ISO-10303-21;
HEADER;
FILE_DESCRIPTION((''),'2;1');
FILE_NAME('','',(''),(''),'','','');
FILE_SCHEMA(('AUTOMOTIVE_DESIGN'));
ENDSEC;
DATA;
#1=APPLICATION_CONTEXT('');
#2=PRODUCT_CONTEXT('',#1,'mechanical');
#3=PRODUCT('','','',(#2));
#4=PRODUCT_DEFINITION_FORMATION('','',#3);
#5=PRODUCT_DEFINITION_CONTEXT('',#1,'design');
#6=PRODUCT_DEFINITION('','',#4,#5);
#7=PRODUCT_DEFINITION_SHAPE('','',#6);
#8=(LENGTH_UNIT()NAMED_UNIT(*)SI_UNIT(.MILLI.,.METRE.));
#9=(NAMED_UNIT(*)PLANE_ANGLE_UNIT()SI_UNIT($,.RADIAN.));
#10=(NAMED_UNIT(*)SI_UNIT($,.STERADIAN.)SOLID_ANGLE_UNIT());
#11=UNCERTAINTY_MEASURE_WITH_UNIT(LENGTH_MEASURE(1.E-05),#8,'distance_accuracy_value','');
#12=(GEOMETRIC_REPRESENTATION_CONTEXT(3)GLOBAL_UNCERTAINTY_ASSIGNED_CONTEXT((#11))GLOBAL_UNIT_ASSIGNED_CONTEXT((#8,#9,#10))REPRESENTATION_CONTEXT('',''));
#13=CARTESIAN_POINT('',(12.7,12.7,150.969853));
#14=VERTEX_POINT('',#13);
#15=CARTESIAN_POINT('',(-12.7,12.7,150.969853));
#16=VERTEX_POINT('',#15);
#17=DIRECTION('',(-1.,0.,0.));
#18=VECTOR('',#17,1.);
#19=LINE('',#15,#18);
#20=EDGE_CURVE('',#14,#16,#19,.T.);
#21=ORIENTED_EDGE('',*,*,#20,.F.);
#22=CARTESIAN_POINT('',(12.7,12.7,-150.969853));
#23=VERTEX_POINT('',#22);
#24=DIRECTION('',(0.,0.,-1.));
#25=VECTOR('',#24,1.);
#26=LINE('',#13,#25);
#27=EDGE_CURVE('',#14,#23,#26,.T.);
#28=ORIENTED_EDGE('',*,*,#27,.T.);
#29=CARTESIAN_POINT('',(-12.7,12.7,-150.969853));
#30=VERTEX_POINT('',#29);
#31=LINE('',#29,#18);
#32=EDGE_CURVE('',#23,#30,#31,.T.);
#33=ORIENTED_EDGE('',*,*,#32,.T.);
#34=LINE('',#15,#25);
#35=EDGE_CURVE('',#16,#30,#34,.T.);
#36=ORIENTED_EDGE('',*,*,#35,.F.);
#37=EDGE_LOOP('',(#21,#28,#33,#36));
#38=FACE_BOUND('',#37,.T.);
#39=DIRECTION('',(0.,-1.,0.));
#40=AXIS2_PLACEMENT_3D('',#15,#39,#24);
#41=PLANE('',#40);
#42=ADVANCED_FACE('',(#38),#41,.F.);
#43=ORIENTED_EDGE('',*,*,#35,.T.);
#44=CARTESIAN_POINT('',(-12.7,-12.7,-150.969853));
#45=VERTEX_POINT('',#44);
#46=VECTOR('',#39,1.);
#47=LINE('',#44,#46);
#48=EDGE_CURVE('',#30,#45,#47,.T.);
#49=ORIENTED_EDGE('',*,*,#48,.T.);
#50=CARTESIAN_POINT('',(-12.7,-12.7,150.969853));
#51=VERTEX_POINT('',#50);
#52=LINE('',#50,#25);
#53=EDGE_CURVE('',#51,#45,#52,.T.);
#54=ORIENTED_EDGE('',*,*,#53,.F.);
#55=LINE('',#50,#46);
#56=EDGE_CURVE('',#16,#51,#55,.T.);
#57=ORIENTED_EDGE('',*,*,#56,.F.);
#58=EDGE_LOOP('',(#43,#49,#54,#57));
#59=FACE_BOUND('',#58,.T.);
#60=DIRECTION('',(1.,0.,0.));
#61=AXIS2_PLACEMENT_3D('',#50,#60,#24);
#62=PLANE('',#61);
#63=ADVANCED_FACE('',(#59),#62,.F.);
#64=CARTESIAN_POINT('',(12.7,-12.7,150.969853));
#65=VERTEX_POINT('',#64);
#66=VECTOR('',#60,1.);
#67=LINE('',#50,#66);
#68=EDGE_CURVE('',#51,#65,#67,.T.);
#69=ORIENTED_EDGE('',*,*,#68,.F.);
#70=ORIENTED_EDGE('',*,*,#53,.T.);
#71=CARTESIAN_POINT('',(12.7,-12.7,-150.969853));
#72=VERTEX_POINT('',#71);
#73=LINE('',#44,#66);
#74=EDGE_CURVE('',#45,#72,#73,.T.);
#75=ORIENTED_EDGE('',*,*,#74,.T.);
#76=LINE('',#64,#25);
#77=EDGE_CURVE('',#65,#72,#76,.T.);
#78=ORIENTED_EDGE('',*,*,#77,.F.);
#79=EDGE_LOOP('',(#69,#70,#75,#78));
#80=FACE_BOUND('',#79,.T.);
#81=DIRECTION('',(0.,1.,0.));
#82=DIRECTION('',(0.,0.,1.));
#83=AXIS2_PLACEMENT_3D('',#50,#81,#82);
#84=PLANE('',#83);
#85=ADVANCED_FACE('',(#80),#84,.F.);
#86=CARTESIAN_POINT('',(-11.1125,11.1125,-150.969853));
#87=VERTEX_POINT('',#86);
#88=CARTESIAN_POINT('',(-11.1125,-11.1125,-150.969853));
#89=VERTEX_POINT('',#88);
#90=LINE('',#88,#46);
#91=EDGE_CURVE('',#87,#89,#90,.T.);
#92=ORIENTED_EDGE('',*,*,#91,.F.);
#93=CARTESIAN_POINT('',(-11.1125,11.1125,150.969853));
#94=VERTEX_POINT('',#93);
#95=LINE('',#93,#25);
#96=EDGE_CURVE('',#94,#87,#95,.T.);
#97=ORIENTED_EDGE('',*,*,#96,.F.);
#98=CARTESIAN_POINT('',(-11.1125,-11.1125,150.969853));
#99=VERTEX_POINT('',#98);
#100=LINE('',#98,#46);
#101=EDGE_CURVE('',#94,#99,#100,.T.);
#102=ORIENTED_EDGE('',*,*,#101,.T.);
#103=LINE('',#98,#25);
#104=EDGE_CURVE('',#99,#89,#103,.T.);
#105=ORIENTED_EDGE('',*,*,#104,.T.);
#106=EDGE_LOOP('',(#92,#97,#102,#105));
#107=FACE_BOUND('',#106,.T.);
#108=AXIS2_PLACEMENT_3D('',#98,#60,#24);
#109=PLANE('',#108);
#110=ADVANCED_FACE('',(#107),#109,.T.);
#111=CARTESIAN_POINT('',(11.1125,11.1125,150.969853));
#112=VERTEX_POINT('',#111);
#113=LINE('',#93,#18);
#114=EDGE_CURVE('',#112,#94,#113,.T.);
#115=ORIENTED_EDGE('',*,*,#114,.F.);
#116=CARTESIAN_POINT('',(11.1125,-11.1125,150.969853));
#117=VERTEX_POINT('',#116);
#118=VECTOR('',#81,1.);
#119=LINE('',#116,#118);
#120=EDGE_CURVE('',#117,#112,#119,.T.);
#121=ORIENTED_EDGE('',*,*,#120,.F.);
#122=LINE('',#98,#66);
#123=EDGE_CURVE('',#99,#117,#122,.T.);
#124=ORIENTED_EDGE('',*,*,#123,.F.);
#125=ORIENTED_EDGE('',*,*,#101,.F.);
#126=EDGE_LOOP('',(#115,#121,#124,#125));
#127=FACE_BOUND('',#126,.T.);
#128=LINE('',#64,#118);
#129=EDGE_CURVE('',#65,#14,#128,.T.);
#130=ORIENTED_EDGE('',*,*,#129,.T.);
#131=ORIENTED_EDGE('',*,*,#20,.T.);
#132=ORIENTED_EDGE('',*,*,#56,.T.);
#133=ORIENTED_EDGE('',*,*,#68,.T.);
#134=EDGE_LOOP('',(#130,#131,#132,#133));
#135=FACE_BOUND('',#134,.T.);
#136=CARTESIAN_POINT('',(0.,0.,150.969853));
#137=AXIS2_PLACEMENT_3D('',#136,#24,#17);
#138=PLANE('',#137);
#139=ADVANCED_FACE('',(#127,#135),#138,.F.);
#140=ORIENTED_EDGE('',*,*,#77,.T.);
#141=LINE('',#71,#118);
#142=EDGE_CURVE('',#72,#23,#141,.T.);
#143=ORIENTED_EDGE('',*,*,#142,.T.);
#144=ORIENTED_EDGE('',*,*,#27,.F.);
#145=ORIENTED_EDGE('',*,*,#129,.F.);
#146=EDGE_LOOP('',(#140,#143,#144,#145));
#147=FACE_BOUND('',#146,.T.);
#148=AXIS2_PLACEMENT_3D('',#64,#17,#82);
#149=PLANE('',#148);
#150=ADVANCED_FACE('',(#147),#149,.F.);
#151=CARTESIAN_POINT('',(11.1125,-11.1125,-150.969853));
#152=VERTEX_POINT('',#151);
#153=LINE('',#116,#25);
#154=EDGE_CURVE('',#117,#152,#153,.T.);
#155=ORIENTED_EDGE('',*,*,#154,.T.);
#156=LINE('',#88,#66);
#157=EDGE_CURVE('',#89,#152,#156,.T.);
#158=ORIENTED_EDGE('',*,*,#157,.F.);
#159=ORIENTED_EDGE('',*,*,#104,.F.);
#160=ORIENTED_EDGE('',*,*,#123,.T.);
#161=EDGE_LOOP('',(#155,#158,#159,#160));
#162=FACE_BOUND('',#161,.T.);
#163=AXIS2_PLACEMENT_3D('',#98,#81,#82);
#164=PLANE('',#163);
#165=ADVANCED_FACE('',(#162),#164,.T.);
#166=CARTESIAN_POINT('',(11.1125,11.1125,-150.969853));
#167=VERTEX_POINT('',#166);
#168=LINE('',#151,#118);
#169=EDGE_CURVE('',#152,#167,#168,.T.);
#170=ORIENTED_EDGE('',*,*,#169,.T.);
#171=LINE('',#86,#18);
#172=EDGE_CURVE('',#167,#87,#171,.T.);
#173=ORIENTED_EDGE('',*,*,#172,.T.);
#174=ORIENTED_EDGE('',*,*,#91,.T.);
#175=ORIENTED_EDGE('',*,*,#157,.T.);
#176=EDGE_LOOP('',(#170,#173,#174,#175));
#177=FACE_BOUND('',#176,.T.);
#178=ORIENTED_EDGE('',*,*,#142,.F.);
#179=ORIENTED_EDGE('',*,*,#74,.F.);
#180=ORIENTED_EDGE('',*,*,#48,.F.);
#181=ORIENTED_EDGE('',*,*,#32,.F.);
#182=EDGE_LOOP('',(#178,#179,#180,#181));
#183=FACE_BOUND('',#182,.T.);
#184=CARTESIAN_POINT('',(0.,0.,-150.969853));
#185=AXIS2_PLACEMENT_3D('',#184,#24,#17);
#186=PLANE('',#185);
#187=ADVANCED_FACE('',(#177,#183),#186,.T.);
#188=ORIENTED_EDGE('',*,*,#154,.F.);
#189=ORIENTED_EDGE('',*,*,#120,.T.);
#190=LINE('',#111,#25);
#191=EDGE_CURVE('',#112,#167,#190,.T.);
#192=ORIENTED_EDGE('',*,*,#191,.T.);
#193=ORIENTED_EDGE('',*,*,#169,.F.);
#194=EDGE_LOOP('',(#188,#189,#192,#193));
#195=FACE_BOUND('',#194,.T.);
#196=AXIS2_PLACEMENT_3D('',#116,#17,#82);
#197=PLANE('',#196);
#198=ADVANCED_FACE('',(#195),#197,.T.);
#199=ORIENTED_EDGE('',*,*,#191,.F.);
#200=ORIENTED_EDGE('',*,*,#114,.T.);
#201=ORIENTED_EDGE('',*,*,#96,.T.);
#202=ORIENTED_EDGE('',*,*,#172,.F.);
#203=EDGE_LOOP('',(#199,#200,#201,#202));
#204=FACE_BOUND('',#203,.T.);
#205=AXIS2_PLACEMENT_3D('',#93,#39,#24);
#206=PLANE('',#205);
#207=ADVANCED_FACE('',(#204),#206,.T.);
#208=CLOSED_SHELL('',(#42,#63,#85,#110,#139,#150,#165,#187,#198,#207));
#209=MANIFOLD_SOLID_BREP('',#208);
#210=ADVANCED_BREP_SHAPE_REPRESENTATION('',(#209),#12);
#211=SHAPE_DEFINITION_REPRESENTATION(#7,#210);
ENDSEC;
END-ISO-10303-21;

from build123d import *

# Parameters (mm, degrees)
SKETCH1_W           = 25.4
SKETCH1_H           = 25.4
SKETCH1_W_2         = 22.225
SKETCH1_H_2         = 22.225
BOSS_EXTRUDE1_DEPTH = 150.969853


with BuildPart() as part:
    # Sketch1 → Boss-Extrude1 (new, symmetric)
    with BuildSketch(Plane.XY):
        Rectangle(SKETCH1_W, SKETCH1_H)
        Rectangle(SKETCH1_W_2, SKETCH1_H_2, mode=Mode.SUBTRACT)
    extrude(amount=BOSS_EXTRUDE1_DEPTH, both=True)


solid = part.part
